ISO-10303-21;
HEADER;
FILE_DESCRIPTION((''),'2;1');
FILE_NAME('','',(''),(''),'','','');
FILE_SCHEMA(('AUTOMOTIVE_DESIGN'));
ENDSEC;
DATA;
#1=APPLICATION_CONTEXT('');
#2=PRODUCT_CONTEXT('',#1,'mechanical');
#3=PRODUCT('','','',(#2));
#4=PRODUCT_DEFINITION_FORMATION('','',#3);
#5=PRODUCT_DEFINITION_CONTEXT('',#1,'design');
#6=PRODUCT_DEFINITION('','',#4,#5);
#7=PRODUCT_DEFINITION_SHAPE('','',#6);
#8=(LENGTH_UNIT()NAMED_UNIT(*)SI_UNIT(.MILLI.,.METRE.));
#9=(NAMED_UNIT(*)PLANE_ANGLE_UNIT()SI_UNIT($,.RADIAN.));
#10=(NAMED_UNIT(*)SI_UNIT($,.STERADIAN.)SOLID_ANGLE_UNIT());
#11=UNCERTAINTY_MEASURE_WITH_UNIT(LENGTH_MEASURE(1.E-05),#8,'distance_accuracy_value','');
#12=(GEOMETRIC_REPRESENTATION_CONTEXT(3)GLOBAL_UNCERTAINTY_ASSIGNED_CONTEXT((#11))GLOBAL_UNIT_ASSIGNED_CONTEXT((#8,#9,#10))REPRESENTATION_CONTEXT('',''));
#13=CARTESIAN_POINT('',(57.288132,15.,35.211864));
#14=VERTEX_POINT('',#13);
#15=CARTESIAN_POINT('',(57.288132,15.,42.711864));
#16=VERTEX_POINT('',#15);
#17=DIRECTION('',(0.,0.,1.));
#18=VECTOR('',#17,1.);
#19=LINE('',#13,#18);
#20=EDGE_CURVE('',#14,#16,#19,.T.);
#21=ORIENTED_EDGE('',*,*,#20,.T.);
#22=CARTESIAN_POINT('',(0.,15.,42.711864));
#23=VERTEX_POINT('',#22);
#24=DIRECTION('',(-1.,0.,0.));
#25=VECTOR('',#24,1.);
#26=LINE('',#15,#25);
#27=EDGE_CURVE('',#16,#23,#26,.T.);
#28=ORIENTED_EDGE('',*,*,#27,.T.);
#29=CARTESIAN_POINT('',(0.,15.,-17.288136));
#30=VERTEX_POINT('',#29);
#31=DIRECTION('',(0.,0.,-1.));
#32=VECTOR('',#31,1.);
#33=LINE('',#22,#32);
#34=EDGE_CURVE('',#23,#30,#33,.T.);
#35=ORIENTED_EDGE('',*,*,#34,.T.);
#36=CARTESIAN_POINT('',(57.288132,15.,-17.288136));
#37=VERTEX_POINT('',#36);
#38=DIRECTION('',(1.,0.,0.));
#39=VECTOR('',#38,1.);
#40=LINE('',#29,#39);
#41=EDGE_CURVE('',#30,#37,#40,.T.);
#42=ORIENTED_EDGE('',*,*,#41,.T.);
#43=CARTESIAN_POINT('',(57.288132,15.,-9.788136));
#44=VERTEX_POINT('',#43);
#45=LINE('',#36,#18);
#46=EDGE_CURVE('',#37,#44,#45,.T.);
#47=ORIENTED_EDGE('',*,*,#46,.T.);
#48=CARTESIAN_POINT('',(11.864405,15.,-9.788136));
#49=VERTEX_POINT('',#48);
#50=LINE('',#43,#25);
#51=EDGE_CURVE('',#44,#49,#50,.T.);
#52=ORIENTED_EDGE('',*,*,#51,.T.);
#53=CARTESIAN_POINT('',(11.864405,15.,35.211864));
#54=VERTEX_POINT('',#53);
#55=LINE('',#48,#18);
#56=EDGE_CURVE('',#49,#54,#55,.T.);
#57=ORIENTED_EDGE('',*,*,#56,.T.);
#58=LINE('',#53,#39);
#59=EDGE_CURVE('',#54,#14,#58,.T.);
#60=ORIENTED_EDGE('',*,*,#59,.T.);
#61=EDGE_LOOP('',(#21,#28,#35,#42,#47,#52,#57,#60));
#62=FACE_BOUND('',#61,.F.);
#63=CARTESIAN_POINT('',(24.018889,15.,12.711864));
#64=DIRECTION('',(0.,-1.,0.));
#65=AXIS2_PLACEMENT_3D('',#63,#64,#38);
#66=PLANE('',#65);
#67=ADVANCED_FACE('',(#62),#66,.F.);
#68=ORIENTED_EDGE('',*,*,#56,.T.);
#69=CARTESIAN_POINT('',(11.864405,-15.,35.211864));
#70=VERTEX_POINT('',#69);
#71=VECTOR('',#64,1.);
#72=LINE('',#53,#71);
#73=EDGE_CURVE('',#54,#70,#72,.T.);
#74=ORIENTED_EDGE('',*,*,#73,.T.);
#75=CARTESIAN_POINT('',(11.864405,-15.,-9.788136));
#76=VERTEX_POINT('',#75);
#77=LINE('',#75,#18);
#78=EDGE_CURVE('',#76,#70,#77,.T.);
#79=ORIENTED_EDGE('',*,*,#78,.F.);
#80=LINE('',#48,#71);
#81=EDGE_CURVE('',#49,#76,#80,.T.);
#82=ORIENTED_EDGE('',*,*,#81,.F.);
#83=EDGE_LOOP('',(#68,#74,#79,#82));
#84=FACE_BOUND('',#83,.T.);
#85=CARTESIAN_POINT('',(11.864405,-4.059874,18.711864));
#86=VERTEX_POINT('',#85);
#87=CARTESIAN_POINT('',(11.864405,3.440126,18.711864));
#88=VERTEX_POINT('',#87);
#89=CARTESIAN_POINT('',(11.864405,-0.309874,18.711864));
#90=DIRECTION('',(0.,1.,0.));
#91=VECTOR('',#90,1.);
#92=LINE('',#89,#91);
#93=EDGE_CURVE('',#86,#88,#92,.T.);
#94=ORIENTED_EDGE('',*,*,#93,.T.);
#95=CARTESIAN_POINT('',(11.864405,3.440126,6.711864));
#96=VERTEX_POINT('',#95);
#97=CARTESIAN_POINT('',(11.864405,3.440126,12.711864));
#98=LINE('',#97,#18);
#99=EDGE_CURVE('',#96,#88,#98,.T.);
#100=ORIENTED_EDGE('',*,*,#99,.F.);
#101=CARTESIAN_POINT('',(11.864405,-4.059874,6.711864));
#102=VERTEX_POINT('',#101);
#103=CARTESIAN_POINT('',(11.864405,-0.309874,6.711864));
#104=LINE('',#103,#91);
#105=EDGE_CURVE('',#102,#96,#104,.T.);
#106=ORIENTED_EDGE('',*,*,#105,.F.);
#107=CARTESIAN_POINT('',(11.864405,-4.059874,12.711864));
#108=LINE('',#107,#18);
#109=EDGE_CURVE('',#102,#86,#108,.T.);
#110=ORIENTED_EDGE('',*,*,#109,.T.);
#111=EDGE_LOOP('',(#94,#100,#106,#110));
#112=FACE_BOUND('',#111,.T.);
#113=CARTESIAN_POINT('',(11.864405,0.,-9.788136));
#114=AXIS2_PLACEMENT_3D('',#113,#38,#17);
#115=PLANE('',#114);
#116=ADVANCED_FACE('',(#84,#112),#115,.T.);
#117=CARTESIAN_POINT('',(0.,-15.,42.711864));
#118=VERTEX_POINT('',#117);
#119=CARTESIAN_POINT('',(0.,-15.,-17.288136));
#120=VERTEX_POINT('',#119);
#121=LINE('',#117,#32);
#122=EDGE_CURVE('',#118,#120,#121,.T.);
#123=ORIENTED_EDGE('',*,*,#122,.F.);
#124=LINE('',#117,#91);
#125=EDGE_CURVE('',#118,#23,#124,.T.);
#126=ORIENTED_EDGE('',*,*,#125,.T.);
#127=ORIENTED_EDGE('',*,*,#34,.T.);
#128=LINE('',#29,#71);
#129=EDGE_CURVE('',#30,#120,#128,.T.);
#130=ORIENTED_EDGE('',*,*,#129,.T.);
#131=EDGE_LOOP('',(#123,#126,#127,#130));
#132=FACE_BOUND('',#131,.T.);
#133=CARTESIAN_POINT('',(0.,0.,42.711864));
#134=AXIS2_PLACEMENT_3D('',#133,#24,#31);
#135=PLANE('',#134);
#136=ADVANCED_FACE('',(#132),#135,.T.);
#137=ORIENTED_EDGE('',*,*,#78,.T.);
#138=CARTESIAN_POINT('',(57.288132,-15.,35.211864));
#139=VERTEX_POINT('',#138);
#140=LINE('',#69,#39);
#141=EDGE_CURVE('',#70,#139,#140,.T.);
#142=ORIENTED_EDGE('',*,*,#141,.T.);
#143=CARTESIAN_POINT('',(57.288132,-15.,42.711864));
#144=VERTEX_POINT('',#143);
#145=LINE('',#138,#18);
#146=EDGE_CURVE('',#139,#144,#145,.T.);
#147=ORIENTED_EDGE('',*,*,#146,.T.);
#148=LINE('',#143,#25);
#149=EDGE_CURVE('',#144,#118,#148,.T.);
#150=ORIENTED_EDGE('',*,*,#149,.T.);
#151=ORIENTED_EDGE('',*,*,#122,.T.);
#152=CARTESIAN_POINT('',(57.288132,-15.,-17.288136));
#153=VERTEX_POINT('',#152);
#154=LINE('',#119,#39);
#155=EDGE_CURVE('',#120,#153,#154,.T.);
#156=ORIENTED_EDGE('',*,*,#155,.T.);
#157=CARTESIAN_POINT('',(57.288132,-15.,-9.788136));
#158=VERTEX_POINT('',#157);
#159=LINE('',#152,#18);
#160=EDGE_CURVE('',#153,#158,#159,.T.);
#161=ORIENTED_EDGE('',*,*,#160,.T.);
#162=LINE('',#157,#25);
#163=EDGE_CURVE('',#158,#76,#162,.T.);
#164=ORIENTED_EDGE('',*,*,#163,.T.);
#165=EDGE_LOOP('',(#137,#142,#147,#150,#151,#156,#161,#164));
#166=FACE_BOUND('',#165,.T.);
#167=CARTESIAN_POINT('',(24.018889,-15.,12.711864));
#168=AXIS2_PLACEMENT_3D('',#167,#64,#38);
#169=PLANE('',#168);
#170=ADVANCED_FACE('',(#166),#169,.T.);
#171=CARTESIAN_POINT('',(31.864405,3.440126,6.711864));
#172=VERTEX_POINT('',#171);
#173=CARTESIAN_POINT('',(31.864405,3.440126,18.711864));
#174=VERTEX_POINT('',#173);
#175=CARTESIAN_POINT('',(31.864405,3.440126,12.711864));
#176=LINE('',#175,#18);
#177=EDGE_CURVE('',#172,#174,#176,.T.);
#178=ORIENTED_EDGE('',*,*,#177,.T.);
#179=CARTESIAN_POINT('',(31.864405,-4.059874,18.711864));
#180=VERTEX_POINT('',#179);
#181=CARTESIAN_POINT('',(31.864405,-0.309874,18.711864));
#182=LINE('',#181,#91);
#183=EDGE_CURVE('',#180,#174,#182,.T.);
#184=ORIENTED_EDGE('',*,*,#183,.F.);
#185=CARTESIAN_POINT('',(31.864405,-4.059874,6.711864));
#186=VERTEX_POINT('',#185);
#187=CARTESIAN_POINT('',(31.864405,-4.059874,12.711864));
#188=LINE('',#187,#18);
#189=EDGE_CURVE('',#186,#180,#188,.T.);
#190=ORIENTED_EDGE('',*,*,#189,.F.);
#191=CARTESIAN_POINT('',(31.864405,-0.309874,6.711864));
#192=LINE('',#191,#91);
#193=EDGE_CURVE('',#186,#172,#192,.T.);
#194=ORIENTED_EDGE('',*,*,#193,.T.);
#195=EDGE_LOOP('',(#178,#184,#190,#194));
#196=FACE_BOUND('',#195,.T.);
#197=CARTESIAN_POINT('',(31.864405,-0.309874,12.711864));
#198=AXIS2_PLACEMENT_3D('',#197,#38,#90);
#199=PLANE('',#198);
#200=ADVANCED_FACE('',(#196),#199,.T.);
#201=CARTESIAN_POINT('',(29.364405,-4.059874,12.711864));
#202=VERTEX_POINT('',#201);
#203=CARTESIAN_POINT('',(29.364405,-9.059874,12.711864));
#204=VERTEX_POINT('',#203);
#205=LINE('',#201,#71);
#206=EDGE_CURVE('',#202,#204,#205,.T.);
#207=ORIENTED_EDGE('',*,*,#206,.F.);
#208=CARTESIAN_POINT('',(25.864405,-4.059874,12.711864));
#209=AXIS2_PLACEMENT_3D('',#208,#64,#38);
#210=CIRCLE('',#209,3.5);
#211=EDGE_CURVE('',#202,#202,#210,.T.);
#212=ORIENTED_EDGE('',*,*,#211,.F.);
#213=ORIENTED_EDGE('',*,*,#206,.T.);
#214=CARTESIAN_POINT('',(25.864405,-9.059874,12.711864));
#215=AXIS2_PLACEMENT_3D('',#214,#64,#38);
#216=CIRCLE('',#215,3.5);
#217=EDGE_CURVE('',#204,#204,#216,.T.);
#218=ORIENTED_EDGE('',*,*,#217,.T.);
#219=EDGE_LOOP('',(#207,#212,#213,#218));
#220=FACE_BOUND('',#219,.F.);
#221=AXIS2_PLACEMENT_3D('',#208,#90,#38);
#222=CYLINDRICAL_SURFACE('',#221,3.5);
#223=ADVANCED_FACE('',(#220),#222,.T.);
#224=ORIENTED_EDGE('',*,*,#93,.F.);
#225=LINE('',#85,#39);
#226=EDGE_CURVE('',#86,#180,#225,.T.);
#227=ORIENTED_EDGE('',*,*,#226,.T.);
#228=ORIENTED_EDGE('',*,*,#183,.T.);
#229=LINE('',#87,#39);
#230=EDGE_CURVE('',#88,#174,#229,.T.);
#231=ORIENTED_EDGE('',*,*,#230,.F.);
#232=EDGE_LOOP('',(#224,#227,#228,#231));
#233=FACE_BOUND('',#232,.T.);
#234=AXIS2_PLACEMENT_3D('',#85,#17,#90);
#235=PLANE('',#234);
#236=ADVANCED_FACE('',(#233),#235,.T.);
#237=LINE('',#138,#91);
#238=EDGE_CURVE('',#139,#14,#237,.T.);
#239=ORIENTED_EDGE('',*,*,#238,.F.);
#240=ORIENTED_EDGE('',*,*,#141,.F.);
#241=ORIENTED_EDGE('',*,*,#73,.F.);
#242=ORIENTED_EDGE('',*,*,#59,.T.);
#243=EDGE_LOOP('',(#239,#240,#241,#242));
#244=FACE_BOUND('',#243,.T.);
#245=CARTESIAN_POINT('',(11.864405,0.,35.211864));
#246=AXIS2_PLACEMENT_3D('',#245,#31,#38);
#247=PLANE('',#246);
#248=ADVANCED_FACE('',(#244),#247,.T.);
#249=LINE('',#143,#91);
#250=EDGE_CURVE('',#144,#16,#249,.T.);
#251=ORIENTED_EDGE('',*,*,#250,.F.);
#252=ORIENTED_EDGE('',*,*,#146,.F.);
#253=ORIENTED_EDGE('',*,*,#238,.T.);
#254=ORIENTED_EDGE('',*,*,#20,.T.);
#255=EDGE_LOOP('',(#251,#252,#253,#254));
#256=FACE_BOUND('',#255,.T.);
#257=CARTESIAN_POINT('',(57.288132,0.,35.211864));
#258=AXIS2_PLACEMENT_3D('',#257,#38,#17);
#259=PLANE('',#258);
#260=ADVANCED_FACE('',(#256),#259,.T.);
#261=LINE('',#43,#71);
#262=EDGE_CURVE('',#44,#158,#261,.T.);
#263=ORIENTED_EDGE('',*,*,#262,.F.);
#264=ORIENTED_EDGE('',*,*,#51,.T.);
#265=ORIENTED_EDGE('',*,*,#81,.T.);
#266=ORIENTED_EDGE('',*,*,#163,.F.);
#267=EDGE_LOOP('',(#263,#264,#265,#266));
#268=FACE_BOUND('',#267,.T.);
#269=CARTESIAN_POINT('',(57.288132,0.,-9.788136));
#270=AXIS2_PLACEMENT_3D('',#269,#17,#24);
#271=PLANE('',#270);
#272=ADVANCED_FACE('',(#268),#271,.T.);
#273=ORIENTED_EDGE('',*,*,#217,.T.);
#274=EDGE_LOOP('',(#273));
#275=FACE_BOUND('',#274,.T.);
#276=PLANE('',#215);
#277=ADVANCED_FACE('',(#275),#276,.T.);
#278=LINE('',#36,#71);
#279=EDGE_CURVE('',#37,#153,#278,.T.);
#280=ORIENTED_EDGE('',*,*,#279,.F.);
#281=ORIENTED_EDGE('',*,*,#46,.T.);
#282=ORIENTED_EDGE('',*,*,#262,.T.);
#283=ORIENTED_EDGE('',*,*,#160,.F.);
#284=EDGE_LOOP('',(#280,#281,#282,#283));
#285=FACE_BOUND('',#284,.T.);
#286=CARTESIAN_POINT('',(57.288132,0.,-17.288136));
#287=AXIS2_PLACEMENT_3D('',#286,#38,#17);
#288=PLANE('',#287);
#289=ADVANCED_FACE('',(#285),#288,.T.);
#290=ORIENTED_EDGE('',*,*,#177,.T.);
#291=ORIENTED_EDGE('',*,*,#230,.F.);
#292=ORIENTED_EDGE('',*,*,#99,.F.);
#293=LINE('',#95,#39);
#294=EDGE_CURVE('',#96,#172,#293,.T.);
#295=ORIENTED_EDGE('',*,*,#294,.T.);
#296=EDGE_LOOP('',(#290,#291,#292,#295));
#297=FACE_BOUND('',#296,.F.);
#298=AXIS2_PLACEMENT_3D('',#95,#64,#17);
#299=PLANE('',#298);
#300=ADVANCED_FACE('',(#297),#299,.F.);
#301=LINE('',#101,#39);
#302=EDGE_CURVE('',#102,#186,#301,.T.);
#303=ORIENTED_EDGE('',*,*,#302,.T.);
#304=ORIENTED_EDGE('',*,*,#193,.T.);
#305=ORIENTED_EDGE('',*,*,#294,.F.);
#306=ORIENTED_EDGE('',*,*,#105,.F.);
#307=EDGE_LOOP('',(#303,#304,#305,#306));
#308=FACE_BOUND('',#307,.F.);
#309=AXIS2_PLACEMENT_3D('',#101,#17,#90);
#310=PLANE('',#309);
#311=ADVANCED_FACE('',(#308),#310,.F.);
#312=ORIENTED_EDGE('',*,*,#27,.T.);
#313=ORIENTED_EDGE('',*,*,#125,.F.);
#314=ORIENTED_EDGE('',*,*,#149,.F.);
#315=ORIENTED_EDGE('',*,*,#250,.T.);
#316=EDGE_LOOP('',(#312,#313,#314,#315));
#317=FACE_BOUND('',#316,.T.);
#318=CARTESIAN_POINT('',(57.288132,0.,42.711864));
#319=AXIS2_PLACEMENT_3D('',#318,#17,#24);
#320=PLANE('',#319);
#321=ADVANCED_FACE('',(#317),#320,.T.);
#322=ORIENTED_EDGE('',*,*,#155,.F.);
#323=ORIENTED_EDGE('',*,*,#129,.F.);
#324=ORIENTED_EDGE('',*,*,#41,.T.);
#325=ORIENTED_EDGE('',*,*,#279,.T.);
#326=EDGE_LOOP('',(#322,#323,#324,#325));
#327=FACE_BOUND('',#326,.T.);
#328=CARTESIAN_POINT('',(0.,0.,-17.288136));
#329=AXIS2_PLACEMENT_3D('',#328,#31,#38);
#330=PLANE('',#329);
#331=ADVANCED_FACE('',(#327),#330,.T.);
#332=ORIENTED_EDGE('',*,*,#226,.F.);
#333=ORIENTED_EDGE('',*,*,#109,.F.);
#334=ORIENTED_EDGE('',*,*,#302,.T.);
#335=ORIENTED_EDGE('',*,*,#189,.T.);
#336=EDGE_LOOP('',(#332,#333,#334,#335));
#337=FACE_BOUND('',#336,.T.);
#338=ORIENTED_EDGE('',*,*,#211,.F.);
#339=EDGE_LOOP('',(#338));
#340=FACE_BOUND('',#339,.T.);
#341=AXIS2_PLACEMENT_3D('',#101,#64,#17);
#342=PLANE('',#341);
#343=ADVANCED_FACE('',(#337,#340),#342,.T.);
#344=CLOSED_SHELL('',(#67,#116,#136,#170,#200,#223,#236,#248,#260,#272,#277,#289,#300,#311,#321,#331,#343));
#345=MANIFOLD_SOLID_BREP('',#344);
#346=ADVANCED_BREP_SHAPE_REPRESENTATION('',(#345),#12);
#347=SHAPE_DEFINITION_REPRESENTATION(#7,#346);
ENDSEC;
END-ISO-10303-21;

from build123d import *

# Parameters (mm, degrees)
F1_DEPTH = 15
F2_W     = 7.5
F2_H     = 12
F3_DEPTH = 20
F4_R     = 3.5
F5_DEPTH = 5


with BuildPart() as f1:
    # F0 (on Front) → F1 (new body, symmetric)
    with BuildSketch(Plane.XZ):
        Polygon((0, 42.711864), (0, 0), (0, -17.288136), (57.288132, -17.288136), (57.288132, -9.788136), (11.864405, -9.788136), (11.864405, 35.211864), (57.288132, 35.211864), (57.288132, 42.711864), align=None)
    extrude(amount=F1_DEPTH, both=True)

    # F2 (on face) → F3 (join)
    with BuildSketch(Plane.YZ.offset(11.864405)):
        with Locations((-0.309874, 12.711864)):
            Rectangle(F2_W, F2_H)
    extrude(amount=F3_DEPTH)

    # F4 (on face) → F5 (join)
    with BuildSketch(Plane.XZ.offset(4.059874)):
        with Locations((25.864405, 12.711864)):
            Circle(F4_R)
    extrude(amount=F5_DEPTH)


solid = f1.part
